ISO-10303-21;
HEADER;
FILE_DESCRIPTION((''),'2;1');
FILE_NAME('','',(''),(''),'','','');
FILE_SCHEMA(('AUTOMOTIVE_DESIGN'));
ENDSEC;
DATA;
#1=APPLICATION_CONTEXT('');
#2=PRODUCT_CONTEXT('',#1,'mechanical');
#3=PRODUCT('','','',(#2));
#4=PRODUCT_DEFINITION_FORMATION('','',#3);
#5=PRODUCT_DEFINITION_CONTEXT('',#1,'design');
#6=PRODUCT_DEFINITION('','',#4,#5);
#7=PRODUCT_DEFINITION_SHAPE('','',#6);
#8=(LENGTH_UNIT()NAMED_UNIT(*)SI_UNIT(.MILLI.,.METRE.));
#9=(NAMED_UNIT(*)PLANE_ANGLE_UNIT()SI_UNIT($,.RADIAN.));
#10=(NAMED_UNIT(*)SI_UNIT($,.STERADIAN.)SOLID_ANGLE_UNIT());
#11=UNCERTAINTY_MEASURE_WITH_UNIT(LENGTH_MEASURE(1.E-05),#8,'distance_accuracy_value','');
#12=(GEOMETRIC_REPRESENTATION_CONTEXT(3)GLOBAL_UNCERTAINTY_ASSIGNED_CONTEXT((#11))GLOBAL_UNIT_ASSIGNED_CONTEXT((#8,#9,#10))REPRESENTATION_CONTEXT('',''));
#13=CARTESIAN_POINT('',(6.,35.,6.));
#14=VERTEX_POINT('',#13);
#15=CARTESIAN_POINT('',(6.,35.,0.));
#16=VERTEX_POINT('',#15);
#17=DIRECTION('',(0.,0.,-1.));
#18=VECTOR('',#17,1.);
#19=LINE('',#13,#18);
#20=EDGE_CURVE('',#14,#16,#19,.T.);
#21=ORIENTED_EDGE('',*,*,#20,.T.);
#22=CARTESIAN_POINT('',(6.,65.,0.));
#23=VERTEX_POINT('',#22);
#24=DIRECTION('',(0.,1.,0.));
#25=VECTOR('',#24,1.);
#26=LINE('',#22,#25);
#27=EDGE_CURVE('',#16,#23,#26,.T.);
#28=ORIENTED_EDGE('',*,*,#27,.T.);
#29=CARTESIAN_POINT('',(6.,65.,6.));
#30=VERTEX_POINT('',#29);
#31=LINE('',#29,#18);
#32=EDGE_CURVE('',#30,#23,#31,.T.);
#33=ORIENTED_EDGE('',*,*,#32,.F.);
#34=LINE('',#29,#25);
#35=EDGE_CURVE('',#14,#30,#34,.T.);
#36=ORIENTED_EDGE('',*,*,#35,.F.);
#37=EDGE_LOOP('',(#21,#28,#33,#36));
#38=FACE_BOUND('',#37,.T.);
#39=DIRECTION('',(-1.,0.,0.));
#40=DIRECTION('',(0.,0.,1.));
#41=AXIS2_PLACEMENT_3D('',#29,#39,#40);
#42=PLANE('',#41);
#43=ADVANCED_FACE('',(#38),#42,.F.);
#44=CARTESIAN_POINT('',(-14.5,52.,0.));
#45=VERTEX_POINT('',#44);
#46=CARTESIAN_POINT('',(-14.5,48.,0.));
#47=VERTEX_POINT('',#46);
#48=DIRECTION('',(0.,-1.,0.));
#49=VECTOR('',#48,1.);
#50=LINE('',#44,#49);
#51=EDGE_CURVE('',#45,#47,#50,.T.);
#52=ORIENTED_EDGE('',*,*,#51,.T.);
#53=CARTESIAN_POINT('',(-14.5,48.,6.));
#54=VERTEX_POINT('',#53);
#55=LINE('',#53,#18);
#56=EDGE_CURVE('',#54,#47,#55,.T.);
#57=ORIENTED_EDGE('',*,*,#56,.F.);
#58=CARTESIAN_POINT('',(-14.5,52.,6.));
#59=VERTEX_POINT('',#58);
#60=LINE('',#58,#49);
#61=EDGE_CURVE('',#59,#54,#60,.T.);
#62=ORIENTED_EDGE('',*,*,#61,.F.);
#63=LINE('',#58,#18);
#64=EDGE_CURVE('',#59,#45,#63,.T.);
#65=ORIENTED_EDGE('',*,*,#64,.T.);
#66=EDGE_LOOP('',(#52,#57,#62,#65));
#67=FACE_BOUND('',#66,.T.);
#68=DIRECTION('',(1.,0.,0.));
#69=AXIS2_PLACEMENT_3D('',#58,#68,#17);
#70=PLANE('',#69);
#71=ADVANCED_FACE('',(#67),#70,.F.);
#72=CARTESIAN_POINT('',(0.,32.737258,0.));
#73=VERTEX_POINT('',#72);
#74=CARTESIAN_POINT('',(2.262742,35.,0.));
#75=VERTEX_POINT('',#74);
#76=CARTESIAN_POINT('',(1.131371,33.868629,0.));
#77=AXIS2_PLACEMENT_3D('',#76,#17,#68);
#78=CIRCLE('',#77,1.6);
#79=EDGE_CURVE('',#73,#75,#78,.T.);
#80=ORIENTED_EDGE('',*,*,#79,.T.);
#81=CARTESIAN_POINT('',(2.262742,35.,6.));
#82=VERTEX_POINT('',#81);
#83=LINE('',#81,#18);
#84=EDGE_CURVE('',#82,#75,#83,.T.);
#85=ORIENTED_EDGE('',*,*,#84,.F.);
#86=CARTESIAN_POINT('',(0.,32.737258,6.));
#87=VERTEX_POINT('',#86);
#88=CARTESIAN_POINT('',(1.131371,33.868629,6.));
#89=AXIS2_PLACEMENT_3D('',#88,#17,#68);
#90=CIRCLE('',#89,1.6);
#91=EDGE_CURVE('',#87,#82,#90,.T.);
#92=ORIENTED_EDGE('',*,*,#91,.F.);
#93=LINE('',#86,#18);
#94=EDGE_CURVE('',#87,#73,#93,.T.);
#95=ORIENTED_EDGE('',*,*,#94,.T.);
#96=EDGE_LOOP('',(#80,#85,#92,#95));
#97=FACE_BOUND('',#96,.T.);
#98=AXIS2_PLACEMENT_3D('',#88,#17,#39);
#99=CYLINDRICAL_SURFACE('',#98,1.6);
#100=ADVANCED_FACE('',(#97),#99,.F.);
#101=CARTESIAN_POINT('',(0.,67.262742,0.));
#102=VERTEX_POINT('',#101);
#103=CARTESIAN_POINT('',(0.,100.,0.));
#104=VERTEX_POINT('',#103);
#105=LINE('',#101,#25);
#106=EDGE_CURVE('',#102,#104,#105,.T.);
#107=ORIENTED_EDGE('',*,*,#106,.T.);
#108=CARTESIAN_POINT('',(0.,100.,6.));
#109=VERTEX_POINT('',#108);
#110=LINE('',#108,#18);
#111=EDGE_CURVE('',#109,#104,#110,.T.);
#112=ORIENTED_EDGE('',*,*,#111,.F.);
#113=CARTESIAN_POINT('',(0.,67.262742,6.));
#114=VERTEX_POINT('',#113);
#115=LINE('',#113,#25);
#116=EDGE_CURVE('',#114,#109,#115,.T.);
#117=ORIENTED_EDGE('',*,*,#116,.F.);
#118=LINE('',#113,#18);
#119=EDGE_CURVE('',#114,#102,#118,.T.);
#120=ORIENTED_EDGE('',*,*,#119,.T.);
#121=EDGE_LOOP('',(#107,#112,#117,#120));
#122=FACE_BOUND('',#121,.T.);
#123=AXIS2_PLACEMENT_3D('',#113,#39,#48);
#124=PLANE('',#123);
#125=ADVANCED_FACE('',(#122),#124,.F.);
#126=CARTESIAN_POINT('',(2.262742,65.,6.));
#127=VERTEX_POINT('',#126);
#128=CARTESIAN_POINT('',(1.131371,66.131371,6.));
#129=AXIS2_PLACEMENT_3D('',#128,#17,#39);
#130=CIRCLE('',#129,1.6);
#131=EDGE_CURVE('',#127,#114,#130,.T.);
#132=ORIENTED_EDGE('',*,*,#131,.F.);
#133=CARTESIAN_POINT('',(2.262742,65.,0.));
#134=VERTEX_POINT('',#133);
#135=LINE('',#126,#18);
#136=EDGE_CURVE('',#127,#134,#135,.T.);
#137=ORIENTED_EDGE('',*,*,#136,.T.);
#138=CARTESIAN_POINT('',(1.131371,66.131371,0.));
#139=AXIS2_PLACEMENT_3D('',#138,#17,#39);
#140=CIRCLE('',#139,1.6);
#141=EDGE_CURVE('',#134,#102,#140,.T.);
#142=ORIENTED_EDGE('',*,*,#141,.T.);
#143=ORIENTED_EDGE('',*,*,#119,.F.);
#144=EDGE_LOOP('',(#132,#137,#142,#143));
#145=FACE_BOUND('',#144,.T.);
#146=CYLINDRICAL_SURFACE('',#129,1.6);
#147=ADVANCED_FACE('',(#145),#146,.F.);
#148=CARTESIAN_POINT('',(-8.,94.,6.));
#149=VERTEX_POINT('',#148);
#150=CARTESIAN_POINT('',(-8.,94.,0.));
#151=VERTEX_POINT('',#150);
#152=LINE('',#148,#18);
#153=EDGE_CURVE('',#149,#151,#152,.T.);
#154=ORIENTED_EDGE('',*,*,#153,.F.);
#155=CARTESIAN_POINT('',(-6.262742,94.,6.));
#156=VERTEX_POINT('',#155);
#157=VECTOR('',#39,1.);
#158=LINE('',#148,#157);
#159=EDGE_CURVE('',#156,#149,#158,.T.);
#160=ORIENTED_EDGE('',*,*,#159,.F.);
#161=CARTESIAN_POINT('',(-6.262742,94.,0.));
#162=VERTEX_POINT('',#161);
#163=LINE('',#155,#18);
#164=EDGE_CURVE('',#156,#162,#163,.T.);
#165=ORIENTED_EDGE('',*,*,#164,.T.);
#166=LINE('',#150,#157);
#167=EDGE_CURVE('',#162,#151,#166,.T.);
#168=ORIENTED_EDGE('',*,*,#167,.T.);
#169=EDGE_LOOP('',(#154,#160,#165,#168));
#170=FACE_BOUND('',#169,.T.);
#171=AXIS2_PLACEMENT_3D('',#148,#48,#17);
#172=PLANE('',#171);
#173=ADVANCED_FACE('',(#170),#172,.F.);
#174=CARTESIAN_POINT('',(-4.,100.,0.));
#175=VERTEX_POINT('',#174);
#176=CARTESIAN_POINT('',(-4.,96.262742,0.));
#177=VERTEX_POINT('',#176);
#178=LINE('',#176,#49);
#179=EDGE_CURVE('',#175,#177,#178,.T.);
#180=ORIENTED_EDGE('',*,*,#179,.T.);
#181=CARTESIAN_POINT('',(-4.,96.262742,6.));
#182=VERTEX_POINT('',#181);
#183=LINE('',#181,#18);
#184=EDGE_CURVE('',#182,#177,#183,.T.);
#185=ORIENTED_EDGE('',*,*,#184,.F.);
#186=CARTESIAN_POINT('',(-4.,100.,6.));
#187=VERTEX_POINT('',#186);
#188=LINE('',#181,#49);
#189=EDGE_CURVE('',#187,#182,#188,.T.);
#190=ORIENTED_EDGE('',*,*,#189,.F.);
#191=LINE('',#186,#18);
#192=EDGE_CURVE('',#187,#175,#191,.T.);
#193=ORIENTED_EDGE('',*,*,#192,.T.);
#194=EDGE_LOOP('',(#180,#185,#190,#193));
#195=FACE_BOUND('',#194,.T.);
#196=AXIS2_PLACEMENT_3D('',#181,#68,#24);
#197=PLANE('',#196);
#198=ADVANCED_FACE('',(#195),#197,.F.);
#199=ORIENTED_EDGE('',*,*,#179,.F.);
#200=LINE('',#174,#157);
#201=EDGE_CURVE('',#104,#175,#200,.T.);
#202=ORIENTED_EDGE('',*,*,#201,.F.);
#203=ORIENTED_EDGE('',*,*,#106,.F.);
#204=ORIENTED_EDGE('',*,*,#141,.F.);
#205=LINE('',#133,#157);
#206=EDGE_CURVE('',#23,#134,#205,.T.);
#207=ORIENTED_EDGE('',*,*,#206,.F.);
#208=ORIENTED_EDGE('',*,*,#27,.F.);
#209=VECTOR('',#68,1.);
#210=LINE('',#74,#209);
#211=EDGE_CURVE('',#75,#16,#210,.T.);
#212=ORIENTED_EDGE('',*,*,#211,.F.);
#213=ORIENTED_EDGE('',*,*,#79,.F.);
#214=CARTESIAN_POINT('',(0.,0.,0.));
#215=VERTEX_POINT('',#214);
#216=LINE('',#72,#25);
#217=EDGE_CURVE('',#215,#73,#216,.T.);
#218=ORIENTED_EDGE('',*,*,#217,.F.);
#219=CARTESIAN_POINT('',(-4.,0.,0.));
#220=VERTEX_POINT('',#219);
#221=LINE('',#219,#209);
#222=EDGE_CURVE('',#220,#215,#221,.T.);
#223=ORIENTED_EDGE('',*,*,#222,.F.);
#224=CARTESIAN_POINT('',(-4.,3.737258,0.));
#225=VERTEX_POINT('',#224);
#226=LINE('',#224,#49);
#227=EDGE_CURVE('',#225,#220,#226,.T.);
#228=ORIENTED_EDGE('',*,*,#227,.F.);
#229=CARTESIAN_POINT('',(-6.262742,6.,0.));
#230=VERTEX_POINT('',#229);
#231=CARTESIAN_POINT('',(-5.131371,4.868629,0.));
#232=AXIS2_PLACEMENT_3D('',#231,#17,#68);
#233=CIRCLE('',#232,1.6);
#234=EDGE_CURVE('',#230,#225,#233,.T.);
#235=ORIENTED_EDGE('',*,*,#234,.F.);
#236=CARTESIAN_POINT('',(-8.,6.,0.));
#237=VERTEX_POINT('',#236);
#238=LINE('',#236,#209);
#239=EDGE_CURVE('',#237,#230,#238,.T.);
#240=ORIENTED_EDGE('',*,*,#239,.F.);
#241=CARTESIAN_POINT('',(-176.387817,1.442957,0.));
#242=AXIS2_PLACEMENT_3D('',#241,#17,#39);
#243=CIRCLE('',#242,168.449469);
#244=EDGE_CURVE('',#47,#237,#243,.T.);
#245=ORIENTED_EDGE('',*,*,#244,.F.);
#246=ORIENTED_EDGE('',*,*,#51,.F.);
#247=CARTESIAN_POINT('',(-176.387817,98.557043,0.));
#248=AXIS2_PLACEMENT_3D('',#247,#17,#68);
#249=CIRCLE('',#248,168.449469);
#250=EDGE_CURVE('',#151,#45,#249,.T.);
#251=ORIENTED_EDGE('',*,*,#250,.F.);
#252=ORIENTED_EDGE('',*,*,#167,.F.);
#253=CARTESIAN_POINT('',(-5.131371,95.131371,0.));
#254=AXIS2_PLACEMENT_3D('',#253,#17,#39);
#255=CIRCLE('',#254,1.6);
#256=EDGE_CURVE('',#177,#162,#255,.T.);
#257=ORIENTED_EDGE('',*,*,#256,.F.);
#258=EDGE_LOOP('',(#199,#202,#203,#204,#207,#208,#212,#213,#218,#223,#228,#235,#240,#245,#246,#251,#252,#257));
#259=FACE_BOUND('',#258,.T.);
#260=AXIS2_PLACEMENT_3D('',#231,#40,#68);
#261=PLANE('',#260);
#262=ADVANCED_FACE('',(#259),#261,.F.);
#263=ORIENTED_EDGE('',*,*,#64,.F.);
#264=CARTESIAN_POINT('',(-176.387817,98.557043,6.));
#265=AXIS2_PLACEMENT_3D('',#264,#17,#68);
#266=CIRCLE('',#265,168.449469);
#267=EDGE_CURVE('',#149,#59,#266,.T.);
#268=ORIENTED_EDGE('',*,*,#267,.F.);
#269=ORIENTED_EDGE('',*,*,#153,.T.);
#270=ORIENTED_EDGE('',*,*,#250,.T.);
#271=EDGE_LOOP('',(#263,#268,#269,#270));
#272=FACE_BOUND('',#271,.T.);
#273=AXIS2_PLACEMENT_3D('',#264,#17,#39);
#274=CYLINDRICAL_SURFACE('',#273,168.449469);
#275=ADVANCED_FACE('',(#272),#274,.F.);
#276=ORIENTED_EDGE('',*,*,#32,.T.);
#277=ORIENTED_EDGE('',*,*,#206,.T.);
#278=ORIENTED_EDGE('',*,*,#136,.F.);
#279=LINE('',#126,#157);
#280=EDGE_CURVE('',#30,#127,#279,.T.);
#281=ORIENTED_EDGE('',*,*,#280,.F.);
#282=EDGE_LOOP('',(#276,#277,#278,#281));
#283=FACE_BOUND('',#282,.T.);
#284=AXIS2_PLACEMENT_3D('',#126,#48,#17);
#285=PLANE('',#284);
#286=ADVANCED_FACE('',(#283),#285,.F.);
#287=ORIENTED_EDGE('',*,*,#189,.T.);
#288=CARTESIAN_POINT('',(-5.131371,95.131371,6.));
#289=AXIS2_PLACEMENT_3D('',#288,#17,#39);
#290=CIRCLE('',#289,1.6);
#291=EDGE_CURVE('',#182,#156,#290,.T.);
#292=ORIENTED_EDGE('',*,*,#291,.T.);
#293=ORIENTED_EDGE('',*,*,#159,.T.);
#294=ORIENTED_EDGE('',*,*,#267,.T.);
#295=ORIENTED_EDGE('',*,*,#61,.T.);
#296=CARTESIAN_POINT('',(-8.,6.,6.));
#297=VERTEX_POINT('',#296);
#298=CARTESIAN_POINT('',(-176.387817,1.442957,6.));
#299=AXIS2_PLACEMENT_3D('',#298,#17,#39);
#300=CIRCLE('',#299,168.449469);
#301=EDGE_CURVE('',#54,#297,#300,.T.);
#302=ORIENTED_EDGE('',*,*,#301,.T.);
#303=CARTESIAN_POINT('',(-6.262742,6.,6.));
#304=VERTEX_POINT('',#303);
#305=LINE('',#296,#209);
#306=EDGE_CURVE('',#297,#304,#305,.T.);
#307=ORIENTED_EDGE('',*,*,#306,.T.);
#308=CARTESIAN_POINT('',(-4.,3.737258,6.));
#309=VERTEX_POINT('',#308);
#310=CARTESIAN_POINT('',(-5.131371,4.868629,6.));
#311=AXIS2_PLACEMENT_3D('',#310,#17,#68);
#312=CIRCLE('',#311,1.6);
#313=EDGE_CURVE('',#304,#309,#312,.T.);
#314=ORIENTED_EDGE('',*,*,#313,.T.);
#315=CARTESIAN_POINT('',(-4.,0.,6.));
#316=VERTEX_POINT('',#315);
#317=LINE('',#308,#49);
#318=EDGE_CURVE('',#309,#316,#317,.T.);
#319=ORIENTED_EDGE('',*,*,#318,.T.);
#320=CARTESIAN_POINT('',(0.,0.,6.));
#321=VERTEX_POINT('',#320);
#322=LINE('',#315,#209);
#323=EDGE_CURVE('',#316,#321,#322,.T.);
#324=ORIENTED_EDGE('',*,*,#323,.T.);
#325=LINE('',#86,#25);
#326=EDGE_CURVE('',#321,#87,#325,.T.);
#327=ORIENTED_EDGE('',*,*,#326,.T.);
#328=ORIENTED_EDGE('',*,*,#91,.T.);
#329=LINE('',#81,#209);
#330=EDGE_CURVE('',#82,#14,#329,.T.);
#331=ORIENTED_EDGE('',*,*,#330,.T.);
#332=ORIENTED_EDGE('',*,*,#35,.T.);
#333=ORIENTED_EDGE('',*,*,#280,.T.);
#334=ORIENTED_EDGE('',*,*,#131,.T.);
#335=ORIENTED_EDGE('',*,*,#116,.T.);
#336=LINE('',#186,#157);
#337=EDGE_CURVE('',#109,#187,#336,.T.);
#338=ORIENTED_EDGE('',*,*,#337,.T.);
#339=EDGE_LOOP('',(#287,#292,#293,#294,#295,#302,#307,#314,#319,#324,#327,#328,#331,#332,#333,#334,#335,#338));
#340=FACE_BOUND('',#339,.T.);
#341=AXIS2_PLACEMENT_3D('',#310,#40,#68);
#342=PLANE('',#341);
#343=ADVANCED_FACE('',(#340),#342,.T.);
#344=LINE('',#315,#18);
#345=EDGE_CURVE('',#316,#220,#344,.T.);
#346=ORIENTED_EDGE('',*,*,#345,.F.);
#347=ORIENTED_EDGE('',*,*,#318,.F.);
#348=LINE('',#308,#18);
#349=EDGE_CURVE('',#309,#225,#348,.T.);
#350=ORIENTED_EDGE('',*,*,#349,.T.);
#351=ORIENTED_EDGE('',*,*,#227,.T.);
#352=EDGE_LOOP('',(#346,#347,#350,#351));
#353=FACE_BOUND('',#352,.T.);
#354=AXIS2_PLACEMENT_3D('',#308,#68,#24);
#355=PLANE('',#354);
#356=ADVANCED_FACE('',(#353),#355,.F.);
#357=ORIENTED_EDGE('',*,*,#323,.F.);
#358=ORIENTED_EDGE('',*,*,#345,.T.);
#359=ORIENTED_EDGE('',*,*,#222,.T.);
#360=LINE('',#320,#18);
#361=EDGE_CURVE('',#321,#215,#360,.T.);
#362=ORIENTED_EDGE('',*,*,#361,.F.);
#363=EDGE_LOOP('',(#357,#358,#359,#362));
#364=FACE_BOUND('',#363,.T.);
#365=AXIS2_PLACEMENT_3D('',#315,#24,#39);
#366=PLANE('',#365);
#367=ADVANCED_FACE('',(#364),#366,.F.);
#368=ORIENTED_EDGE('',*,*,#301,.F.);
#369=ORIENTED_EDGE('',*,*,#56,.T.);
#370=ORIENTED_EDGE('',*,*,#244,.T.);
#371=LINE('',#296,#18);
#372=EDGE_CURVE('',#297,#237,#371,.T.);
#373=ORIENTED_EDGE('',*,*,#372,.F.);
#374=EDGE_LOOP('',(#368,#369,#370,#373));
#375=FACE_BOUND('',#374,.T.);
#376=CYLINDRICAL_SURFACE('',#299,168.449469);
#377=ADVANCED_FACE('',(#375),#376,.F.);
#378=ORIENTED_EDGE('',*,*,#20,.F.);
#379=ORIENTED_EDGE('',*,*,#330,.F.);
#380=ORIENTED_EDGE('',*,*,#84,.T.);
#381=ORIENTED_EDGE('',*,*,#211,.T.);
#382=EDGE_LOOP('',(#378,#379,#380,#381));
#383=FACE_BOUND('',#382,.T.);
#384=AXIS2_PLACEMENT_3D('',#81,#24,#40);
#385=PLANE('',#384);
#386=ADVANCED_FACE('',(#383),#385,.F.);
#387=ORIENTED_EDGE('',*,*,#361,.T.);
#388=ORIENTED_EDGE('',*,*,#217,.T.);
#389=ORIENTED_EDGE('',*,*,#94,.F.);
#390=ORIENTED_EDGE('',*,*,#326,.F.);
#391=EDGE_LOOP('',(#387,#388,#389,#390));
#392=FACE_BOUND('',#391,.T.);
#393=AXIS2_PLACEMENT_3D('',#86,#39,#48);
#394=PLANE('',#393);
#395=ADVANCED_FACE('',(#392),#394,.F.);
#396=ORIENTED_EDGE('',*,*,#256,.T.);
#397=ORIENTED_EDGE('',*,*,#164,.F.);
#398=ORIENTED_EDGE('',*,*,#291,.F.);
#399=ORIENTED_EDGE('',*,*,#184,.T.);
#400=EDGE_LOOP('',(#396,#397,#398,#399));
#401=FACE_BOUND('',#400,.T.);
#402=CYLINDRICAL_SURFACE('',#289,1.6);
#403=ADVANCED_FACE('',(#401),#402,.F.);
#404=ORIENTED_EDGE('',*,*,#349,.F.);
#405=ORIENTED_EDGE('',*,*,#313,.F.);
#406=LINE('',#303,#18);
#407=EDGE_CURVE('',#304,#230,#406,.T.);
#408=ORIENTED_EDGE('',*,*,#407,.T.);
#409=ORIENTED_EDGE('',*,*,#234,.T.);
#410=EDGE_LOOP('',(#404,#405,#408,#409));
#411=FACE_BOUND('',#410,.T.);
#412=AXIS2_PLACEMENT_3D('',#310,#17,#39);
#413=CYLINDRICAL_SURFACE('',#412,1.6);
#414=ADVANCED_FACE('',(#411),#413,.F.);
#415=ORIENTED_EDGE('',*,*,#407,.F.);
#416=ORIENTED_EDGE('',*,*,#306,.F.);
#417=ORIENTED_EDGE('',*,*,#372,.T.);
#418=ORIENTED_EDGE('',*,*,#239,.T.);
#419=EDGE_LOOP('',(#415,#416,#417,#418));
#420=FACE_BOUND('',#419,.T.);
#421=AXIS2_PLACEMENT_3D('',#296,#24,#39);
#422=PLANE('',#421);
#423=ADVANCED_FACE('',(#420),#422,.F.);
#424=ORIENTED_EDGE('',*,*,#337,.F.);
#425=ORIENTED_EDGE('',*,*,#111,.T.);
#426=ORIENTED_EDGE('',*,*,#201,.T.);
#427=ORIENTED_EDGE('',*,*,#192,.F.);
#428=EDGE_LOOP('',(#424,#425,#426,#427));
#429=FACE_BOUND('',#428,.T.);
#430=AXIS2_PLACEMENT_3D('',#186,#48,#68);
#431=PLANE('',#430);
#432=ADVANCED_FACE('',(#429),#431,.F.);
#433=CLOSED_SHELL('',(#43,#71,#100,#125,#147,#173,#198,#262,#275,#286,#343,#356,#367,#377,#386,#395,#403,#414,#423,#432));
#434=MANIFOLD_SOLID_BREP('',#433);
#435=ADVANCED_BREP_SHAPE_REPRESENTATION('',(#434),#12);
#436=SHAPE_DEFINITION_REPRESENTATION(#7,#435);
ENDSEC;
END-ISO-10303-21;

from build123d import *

# Parameters (mm, degrees)
EXTRUSION1_DEPTH = 6


with BuildPart() as part:
    # Esquisse1 → Extrusion1 (new body)
    with BuildSketch(Plane.XY):
        with BuildLine():
            Line((-14.5, 52), (-14.5, 48))
            ThreePointArc((-14.5, 48), (-9.920106606, 27.205816835), (-8, 6))
            Line((-8, 6), (-6.2627417, 6))
            ThreePointArc((-6.2627417, 6), (-4, 6), (-4, 3.7372583))
            Line((-4, 3.7372583), (-4, 0))
            Line((-4, 0), (0, 0))
            Line((0, 0), (0, 32.7372583))
            ThreePointArc((0, 32.7372583), (0, 35), (2.2627417, 35))
            Line((2.2627417, 35), (6, 35))
            Line((6, 35), (6, 65))
            Line((6, 65), (2.2627417, 65))
            ThreePointArc((2.2627417, 65), (0, 65), (0, 67.2627417))
            Line((0, 67.2627417), (0, 100))
            Line((0, 100), (-4, 100))
            Line((-4, 100), (-4, 96.2627417))
            ThreePointArc((-4, 96.2627417), (-4, 94), (-6.2627417, 94))
            Line((-6.2627417, 94), (-8, 94))
            ThreePointArc((-8, 94), (-9.920106606, 72.794183165), (-14.5, 52))
        make_face()
    extrude(amount=EXTRUSION1_DEPTH)


solid = part.part
